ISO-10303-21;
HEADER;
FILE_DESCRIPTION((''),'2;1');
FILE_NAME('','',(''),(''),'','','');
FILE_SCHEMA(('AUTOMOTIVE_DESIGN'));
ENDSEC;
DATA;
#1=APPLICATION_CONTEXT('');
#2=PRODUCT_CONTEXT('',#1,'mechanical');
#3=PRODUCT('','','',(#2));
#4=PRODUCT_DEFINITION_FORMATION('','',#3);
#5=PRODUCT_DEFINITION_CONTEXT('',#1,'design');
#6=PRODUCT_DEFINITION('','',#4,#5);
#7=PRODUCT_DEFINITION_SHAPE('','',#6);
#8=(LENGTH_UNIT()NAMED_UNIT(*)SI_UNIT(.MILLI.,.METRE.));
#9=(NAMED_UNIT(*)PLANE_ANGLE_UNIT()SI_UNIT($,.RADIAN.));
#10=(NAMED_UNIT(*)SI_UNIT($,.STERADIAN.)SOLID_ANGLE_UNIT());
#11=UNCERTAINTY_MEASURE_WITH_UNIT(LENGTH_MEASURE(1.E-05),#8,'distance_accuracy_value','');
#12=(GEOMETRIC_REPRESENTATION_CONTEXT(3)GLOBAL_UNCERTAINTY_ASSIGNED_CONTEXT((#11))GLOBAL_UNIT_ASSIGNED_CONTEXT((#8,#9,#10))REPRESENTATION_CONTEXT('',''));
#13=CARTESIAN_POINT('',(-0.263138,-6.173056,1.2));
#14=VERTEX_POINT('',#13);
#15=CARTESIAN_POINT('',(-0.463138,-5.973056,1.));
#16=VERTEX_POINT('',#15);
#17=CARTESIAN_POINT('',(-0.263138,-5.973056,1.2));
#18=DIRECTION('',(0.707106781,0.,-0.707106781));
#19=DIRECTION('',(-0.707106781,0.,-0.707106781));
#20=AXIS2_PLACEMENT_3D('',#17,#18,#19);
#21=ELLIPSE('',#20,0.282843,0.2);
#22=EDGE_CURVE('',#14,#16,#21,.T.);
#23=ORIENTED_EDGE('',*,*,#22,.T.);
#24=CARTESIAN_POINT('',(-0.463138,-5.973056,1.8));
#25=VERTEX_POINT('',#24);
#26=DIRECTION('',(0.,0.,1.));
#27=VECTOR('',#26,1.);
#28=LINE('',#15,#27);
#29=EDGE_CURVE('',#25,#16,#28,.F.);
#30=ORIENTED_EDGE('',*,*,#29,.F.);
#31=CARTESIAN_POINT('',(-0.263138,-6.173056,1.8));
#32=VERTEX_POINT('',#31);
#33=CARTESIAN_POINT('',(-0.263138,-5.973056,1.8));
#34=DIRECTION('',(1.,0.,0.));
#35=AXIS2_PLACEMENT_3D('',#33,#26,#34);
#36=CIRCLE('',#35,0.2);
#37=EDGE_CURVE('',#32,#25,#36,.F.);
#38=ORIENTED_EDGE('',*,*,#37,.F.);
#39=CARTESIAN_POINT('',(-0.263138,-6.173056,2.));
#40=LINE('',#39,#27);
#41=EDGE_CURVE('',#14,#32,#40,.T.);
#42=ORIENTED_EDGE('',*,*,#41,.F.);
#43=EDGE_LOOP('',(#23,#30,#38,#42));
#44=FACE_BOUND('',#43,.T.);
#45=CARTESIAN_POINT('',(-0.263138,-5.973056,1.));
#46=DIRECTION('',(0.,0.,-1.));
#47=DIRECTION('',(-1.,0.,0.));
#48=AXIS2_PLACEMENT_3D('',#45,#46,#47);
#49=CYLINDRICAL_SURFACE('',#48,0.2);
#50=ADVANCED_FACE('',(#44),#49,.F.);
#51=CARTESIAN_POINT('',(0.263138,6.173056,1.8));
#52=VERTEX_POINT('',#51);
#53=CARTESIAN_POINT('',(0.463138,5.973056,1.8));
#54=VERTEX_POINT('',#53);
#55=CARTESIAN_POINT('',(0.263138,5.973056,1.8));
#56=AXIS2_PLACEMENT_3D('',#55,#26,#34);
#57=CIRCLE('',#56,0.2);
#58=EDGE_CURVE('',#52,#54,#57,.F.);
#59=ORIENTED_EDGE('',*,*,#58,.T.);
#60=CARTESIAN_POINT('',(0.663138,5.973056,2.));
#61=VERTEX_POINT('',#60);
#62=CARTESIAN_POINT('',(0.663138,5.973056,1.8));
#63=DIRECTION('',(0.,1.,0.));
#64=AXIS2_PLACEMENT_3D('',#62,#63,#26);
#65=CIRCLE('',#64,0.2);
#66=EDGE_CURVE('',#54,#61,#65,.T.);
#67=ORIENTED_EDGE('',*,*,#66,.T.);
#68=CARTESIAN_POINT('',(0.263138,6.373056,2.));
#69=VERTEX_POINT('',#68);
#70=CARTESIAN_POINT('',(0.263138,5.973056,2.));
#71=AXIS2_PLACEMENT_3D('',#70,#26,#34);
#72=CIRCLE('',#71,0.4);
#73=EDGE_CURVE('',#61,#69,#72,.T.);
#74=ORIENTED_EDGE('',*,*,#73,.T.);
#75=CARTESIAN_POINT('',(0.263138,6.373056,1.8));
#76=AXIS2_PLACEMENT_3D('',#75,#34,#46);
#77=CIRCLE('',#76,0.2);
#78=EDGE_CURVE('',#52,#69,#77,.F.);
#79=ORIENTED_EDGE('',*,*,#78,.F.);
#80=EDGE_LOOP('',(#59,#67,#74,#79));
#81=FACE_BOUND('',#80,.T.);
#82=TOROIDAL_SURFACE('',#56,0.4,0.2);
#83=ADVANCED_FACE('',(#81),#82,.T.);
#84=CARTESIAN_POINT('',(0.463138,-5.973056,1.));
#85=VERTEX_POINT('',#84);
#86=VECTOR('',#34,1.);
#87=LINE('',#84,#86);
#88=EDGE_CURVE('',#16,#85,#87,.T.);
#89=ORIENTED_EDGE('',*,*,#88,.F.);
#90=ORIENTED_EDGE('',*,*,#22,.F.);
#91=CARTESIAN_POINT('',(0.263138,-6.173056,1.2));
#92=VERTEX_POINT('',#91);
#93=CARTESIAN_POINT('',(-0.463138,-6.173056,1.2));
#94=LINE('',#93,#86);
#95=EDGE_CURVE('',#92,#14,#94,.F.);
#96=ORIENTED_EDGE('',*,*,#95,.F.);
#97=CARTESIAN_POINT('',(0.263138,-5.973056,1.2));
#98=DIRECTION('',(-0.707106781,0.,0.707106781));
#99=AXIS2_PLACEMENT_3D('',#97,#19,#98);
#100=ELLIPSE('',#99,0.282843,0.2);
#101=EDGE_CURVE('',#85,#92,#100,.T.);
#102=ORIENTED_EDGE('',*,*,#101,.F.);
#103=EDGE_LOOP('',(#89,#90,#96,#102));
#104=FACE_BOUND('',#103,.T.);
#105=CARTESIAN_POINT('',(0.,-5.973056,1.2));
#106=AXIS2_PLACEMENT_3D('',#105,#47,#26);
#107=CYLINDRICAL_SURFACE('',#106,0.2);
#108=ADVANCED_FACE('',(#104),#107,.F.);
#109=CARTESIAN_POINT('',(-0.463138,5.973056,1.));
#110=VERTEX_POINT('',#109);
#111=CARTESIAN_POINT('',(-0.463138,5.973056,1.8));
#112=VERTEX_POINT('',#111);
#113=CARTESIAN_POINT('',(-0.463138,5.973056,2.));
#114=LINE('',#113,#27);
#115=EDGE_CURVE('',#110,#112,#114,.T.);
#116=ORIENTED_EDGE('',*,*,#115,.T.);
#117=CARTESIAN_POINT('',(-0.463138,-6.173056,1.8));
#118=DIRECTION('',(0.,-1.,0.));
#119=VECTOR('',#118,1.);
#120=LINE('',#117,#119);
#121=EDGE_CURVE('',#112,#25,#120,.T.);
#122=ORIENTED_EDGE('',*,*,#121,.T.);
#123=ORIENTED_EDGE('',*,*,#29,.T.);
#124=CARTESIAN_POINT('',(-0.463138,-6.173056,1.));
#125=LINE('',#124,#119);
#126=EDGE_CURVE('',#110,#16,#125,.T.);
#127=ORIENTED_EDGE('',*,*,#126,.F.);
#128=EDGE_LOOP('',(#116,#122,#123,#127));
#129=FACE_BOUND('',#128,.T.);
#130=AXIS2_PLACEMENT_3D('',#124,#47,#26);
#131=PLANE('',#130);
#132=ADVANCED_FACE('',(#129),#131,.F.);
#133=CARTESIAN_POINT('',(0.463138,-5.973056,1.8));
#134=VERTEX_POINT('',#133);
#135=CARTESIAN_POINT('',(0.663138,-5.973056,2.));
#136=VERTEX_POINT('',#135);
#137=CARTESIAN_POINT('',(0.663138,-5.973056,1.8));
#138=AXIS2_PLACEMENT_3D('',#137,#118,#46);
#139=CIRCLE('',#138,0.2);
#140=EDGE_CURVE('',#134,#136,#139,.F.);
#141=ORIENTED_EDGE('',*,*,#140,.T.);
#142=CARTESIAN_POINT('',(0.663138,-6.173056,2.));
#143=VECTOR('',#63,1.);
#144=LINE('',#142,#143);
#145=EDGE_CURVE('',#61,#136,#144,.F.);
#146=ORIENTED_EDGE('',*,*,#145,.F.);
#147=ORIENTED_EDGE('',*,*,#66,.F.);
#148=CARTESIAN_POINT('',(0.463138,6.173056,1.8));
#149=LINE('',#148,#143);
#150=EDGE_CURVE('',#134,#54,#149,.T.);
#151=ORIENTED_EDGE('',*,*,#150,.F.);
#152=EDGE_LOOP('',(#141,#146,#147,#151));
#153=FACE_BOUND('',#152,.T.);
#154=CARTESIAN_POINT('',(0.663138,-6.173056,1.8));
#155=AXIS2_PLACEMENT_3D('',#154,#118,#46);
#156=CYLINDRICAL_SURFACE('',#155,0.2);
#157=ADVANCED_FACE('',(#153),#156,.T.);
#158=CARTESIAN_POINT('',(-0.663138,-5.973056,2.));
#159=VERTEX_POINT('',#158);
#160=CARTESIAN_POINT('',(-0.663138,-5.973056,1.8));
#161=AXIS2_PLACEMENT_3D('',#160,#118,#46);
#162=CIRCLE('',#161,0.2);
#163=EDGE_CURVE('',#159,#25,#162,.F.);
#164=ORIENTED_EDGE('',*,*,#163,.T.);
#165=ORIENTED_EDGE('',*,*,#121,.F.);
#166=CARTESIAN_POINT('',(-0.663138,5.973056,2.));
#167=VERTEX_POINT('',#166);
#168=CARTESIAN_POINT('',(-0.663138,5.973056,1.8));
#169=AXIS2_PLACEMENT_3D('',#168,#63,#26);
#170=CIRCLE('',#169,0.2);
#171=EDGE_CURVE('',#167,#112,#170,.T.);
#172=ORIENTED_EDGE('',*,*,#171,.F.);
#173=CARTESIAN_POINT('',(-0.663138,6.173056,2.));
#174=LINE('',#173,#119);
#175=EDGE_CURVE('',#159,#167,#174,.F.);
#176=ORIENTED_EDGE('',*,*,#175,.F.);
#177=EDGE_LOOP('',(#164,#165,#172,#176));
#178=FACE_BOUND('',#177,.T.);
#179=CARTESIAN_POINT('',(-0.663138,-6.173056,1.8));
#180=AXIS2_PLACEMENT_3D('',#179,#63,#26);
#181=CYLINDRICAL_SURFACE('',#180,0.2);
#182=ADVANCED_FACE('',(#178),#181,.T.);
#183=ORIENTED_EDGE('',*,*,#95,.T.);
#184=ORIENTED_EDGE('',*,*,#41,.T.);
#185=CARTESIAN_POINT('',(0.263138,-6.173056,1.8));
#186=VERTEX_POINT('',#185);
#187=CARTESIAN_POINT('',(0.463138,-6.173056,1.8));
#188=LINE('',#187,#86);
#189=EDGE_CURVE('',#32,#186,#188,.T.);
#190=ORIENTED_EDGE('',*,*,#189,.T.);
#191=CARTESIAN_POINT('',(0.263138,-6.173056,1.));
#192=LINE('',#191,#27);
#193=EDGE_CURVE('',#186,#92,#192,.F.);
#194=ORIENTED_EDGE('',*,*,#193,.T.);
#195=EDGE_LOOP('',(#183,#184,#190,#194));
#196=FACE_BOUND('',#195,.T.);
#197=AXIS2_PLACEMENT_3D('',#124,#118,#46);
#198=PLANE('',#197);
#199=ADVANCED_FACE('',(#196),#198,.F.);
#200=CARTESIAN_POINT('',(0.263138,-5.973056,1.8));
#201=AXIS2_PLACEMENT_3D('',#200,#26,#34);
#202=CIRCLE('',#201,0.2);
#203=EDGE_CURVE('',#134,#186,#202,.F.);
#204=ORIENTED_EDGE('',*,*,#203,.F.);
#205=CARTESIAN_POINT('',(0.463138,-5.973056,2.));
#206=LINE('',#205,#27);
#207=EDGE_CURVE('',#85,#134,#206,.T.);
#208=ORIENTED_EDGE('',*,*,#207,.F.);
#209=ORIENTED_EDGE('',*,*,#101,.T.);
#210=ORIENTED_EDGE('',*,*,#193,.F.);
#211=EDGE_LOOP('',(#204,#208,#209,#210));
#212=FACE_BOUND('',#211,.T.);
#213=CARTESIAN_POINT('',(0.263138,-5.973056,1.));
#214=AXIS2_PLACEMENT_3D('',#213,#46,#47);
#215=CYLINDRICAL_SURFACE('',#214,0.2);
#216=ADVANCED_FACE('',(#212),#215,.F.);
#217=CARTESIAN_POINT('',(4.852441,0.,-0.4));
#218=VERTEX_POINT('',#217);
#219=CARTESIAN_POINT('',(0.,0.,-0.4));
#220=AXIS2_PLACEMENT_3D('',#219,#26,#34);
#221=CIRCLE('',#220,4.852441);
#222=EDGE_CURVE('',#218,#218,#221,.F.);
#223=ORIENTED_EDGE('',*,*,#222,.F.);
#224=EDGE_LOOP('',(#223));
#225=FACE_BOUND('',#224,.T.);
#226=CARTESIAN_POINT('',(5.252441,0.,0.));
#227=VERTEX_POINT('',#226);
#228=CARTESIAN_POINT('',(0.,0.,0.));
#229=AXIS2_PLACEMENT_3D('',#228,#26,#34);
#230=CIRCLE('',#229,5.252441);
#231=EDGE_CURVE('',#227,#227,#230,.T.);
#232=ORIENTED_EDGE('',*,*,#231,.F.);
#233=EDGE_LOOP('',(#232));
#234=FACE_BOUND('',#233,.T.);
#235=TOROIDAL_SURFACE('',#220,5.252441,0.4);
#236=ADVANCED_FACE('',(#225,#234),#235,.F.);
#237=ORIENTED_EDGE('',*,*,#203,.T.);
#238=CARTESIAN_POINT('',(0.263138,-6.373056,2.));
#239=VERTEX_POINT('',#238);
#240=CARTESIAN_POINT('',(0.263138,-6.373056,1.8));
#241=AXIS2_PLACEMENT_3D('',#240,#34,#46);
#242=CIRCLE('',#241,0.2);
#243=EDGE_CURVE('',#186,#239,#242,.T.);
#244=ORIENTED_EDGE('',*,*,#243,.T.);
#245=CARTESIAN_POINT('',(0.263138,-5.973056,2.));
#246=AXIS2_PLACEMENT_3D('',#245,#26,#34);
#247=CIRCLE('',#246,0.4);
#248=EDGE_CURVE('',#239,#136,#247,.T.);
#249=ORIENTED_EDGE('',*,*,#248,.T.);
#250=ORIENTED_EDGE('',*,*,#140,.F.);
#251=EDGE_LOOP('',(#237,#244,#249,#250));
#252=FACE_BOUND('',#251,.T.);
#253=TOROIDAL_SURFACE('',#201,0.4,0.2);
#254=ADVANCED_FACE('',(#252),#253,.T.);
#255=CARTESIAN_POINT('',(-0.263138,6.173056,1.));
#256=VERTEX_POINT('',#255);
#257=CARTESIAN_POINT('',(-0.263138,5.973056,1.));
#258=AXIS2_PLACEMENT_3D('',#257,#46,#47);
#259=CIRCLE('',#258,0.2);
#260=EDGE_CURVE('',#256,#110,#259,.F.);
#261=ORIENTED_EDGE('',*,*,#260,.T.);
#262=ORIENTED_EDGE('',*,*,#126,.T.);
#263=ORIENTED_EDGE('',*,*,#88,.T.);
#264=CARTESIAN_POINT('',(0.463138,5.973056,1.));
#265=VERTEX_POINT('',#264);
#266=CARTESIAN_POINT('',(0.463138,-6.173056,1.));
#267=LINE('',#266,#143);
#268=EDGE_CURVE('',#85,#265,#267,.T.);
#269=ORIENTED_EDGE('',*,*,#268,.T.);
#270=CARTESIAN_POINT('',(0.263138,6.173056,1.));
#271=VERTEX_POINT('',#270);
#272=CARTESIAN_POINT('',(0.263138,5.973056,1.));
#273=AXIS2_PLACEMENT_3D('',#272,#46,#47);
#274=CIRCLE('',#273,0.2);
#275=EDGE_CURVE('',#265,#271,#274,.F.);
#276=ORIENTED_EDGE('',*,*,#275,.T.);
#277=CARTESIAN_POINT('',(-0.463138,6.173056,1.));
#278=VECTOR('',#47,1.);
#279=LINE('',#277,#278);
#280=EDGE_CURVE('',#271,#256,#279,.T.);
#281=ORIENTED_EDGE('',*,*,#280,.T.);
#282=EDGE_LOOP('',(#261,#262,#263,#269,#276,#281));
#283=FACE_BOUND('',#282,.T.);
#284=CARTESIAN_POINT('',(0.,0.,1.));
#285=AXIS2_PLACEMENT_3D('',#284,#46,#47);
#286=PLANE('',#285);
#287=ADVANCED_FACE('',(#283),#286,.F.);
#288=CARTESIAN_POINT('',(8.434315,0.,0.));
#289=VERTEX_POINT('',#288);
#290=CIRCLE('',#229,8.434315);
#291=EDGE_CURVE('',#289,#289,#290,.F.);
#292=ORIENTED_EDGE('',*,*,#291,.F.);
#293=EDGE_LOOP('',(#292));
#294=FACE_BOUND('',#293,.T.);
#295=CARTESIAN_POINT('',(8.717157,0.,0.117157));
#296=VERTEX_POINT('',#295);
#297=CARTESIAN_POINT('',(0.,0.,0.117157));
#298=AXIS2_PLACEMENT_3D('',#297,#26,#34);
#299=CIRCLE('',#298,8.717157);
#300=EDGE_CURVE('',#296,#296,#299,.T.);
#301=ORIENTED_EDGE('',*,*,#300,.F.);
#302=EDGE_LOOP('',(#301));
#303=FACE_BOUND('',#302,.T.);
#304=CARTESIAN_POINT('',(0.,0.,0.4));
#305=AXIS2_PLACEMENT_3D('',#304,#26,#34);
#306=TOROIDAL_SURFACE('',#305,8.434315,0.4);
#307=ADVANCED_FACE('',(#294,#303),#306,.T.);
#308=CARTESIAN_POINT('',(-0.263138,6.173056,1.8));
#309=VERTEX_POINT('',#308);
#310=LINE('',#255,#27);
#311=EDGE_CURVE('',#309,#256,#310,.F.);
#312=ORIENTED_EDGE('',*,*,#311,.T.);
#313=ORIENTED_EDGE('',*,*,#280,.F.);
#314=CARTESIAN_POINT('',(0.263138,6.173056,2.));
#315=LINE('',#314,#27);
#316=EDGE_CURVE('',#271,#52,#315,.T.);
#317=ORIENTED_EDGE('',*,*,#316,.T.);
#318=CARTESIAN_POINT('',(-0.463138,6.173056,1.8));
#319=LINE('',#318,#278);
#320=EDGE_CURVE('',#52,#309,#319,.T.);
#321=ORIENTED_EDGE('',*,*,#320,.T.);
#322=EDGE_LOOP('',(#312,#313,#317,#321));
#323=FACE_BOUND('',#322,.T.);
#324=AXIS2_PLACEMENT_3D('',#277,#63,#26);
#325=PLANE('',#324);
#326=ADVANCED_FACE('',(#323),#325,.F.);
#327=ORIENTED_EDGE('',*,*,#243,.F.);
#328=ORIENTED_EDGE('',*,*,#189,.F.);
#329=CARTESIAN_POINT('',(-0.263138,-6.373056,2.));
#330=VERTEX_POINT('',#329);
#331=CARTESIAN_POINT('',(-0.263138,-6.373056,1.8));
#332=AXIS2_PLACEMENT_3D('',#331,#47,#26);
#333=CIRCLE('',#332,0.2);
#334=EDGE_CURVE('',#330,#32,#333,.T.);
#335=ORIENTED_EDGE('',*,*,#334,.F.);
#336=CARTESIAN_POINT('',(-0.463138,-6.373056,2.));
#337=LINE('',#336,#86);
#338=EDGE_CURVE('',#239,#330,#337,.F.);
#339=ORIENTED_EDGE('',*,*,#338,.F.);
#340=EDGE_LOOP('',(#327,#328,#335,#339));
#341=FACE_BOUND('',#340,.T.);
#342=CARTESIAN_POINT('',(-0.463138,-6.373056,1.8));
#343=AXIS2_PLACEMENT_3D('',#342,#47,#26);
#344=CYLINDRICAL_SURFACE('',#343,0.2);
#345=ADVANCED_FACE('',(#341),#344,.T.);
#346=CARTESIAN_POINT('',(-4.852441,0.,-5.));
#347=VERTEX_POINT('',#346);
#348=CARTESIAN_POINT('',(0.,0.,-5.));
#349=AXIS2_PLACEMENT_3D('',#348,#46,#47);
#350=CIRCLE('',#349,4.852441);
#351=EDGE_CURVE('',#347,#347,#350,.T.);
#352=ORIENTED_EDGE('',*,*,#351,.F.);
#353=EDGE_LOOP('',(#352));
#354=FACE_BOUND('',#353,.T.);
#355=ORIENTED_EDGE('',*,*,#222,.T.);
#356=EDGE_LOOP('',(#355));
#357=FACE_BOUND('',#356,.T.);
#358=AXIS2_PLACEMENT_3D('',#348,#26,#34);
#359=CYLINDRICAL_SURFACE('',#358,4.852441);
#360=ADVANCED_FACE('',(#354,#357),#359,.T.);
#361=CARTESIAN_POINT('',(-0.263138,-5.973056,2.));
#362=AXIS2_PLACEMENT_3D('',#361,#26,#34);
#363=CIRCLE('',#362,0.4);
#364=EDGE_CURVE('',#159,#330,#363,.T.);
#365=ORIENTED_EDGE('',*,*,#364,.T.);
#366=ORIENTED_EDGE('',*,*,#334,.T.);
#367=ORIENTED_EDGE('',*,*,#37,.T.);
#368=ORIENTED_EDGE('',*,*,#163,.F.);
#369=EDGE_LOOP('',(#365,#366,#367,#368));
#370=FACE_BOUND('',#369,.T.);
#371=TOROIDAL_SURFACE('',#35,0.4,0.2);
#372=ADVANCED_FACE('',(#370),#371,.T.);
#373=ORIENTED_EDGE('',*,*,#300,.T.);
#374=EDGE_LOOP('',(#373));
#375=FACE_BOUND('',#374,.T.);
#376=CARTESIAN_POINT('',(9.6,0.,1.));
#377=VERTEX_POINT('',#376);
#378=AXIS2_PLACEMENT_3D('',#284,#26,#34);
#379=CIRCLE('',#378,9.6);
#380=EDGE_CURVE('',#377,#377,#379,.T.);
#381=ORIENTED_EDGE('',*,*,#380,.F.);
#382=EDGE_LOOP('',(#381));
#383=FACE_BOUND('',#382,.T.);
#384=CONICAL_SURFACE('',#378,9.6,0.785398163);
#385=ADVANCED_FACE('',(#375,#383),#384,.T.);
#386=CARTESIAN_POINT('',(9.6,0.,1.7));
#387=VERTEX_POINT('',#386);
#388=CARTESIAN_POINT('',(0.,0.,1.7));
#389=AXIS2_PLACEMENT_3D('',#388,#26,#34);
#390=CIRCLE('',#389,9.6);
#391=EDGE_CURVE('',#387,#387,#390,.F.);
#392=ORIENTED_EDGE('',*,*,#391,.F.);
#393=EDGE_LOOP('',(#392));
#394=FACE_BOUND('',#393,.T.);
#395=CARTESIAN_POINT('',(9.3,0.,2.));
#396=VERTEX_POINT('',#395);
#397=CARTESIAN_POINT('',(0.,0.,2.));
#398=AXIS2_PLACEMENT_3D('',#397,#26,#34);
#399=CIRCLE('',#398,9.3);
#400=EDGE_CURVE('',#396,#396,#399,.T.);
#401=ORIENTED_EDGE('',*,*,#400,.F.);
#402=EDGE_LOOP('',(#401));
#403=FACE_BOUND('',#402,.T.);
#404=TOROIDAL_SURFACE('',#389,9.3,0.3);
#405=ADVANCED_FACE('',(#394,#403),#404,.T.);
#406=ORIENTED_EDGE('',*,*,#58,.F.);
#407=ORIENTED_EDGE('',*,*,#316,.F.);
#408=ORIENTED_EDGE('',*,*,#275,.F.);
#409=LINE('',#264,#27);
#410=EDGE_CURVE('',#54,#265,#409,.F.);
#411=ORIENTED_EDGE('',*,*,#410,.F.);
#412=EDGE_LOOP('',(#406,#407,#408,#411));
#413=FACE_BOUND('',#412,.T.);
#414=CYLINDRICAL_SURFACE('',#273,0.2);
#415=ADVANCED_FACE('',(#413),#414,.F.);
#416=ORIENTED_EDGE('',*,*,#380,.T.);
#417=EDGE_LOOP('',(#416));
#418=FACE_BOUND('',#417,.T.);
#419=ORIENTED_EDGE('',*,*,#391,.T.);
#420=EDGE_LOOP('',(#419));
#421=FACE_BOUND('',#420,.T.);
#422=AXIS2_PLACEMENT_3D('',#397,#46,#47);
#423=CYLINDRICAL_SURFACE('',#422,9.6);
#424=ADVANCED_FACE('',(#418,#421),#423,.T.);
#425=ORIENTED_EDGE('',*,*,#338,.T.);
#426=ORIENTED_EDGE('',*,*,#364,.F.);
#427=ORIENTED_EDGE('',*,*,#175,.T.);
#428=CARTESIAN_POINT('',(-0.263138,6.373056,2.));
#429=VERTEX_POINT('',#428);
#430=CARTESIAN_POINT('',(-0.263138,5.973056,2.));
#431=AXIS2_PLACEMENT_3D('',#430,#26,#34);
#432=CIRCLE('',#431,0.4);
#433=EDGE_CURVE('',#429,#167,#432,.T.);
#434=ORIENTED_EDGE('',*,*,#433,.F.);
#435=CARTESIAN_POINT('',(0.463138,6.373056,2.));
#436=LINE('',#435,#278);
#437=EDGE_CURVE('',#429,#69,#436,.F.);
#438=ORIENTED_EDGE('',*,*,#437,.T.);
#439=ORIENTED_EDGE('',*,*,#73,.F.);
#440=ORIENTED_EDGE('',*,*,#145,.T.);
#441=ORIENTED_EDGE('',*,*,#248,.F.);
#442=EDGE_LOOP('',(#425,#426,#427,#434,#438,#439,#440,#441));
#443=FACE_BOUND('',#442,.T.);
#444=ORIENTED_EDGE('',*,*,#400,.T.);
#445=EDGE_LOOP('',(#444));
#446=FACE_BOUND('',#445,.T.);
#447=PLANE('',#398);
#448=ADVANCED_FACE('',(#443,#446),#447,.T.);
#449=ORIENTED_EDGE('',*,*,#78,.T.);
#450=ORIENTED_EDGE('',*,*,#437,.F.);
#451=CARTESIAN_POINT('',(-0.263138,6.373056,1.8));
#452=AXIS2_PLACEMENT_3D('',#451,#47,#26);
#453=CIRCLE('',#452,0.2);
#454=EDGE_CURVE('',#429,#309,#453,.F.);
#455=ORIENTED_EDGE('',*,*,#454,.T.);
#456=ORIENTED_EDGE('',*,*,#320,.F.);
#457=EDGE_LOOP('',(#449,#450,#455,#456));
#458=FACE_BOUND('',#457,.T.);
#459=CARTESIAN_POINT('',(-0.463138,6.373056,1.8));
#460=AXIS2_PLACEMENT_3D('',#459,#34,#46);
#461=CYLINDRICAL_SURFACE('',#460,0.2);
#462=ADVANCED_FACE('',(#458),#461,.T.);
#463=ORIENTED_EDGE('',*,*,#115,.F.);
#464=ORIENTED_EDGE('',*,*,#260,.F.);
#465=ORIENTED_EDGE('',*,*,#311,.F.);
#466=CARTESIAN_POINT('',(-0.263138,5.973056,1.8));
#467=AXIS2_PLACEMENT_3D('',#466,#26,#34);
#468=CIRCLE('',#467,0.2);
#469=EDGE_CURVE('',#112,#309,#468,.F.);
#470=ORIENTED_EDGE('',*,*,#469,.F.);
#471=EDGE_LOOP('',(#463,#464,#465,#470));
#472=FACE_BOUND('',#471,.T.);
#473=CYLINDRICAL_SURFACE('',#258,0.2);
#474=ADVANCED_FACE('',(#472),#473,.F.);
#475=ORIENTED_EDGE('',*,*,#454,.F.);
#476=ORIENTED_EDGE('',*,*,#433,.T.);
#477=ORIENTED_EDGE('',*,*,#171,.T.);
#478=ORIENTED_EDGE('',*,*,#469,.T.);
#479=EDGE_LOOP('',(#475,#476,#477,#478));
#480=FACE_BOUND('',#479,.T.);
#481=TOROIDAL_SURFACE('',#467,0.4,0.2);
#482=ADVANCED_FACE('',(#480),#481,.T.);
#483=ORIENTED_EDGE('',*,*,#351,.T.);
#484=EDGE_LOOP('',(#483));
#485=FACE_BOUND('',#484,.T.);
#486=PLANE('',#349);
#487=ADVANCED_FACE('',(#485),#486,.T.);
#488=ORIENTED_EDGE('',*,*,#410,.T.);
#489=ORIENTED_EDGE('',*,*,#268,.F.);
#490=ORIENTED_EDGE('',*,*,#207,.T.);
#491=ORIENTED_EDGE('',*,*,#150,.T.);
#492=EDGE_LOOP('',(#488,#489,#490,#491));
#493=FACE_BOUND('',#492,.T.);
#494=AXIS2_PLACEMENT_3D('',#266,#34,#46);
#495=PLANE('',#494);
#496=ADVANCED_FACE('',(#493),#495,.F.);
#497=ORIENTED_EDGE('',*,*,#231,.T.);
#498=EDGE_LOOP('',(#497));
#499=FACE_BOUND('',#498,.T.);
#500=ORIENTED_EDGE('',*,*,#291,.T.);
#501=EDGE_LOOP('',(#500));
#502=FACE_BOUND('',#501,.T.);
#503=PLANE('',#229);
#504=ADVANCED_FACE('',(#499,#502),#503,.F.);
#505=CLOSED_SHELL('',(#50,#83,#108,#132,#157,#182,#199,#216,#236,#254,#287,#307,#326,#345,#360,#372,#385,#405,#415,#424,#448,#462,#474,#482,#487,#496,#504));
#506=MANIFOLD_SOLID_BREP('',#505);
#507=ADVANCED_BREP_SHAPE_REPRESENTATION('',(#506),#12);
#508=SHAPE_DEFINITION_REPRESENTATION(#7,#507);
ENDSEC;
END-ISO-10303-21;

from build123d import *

# Parameters (mm, degrees)
SKETCH1_R           = 9.6
BOSS_EXTRUDE2_DEPTH = 2
CHAMFER1_SIZE       = 1
FILLET1_R           = 0.3
SKETCH2_W           = 0.926275652
SKETCH2_H           = 12.346112468
CUT_EXTRUDE1_DEPTH  = 1
FILLET2_R           = 0.2
SKETCH5_R           = 4.852441015
BOSS_EXTRUDE3_DEPTH = 5
FILLET3_R           = 0.4


with BuildPart() as part:
    # Sketch1 → Boss-Extrude2 (new body)
    with BuildSketch(Plane.XY):
        Circle(SKETCH1_R)
    extrude(amount=BOSS_EXTRUDE2_DEPTH)

    # Chamfer1
    chamfer1_edges = [part.edges().sort_by_distance(p)[0] for p in [
        (-9.6, 0, 0),
    ]]
    chamfer(chamfer1_edges, length=CHAMFER1_SIZE)

    # Fillet1
    fillet1_edges = [part.edges().sort_by_distance(p)[0] for p in [
        (-9.6, 0, 2),
    ]]
    fillet(fillet1_edges, radius=FILLET1_R)

    # Sketch2 → Cut-Extrude1 (cut)
    with BuildSketch(Plane.XY.offset(2)):
        Rectangle(SKETCH2_W, SKETCH2_H)
    extrude(amount=-CUT_EXTRUDE1_DEPTH, mode=Mode.SUBTRACT)

    # Fillet2
    fillet2_edges = [part.edges().sort_by_distance(p)[0] for p in [
        (0.463137826, 6.173056234, 1.5),
        (0, -6.173056234, 1),
        (0.463137826, -6.173056234, 1.5),
        (-0.463137826, -6.173056234, 1.5),
        (-0.463137826, 6.173056234, 1.5),
        (0.463137826, 0, 2),
        (0, 6.173056234, 2),
        (-0.463137826, 0, 2),
        (0, -6.173056234, 2),
    ]]
    fillet(fillet2_edges, radius=FILLET2_R)

    # Sketch5 → Boss-Extrude3 (add)
    with BuildSketch(Plane(origin=(0, 0, 0), x_dir=(-1, 0, 0), z_dir=(0, 0, -1))):
        Circle(SKETCH5_R)
    extrude(amount=BOSS_EXTRUDE3_DEPTH)

    # Fillet3
    fillet3_edges = [part.edges().sort_by_distance(p)[0] for p in [
        (4.852441015, 0, 0),
        (-8.6, 0, 0),
    ]]
    fillet(fillet3_edges, radius=FILLET3_R)


solid = part.part
